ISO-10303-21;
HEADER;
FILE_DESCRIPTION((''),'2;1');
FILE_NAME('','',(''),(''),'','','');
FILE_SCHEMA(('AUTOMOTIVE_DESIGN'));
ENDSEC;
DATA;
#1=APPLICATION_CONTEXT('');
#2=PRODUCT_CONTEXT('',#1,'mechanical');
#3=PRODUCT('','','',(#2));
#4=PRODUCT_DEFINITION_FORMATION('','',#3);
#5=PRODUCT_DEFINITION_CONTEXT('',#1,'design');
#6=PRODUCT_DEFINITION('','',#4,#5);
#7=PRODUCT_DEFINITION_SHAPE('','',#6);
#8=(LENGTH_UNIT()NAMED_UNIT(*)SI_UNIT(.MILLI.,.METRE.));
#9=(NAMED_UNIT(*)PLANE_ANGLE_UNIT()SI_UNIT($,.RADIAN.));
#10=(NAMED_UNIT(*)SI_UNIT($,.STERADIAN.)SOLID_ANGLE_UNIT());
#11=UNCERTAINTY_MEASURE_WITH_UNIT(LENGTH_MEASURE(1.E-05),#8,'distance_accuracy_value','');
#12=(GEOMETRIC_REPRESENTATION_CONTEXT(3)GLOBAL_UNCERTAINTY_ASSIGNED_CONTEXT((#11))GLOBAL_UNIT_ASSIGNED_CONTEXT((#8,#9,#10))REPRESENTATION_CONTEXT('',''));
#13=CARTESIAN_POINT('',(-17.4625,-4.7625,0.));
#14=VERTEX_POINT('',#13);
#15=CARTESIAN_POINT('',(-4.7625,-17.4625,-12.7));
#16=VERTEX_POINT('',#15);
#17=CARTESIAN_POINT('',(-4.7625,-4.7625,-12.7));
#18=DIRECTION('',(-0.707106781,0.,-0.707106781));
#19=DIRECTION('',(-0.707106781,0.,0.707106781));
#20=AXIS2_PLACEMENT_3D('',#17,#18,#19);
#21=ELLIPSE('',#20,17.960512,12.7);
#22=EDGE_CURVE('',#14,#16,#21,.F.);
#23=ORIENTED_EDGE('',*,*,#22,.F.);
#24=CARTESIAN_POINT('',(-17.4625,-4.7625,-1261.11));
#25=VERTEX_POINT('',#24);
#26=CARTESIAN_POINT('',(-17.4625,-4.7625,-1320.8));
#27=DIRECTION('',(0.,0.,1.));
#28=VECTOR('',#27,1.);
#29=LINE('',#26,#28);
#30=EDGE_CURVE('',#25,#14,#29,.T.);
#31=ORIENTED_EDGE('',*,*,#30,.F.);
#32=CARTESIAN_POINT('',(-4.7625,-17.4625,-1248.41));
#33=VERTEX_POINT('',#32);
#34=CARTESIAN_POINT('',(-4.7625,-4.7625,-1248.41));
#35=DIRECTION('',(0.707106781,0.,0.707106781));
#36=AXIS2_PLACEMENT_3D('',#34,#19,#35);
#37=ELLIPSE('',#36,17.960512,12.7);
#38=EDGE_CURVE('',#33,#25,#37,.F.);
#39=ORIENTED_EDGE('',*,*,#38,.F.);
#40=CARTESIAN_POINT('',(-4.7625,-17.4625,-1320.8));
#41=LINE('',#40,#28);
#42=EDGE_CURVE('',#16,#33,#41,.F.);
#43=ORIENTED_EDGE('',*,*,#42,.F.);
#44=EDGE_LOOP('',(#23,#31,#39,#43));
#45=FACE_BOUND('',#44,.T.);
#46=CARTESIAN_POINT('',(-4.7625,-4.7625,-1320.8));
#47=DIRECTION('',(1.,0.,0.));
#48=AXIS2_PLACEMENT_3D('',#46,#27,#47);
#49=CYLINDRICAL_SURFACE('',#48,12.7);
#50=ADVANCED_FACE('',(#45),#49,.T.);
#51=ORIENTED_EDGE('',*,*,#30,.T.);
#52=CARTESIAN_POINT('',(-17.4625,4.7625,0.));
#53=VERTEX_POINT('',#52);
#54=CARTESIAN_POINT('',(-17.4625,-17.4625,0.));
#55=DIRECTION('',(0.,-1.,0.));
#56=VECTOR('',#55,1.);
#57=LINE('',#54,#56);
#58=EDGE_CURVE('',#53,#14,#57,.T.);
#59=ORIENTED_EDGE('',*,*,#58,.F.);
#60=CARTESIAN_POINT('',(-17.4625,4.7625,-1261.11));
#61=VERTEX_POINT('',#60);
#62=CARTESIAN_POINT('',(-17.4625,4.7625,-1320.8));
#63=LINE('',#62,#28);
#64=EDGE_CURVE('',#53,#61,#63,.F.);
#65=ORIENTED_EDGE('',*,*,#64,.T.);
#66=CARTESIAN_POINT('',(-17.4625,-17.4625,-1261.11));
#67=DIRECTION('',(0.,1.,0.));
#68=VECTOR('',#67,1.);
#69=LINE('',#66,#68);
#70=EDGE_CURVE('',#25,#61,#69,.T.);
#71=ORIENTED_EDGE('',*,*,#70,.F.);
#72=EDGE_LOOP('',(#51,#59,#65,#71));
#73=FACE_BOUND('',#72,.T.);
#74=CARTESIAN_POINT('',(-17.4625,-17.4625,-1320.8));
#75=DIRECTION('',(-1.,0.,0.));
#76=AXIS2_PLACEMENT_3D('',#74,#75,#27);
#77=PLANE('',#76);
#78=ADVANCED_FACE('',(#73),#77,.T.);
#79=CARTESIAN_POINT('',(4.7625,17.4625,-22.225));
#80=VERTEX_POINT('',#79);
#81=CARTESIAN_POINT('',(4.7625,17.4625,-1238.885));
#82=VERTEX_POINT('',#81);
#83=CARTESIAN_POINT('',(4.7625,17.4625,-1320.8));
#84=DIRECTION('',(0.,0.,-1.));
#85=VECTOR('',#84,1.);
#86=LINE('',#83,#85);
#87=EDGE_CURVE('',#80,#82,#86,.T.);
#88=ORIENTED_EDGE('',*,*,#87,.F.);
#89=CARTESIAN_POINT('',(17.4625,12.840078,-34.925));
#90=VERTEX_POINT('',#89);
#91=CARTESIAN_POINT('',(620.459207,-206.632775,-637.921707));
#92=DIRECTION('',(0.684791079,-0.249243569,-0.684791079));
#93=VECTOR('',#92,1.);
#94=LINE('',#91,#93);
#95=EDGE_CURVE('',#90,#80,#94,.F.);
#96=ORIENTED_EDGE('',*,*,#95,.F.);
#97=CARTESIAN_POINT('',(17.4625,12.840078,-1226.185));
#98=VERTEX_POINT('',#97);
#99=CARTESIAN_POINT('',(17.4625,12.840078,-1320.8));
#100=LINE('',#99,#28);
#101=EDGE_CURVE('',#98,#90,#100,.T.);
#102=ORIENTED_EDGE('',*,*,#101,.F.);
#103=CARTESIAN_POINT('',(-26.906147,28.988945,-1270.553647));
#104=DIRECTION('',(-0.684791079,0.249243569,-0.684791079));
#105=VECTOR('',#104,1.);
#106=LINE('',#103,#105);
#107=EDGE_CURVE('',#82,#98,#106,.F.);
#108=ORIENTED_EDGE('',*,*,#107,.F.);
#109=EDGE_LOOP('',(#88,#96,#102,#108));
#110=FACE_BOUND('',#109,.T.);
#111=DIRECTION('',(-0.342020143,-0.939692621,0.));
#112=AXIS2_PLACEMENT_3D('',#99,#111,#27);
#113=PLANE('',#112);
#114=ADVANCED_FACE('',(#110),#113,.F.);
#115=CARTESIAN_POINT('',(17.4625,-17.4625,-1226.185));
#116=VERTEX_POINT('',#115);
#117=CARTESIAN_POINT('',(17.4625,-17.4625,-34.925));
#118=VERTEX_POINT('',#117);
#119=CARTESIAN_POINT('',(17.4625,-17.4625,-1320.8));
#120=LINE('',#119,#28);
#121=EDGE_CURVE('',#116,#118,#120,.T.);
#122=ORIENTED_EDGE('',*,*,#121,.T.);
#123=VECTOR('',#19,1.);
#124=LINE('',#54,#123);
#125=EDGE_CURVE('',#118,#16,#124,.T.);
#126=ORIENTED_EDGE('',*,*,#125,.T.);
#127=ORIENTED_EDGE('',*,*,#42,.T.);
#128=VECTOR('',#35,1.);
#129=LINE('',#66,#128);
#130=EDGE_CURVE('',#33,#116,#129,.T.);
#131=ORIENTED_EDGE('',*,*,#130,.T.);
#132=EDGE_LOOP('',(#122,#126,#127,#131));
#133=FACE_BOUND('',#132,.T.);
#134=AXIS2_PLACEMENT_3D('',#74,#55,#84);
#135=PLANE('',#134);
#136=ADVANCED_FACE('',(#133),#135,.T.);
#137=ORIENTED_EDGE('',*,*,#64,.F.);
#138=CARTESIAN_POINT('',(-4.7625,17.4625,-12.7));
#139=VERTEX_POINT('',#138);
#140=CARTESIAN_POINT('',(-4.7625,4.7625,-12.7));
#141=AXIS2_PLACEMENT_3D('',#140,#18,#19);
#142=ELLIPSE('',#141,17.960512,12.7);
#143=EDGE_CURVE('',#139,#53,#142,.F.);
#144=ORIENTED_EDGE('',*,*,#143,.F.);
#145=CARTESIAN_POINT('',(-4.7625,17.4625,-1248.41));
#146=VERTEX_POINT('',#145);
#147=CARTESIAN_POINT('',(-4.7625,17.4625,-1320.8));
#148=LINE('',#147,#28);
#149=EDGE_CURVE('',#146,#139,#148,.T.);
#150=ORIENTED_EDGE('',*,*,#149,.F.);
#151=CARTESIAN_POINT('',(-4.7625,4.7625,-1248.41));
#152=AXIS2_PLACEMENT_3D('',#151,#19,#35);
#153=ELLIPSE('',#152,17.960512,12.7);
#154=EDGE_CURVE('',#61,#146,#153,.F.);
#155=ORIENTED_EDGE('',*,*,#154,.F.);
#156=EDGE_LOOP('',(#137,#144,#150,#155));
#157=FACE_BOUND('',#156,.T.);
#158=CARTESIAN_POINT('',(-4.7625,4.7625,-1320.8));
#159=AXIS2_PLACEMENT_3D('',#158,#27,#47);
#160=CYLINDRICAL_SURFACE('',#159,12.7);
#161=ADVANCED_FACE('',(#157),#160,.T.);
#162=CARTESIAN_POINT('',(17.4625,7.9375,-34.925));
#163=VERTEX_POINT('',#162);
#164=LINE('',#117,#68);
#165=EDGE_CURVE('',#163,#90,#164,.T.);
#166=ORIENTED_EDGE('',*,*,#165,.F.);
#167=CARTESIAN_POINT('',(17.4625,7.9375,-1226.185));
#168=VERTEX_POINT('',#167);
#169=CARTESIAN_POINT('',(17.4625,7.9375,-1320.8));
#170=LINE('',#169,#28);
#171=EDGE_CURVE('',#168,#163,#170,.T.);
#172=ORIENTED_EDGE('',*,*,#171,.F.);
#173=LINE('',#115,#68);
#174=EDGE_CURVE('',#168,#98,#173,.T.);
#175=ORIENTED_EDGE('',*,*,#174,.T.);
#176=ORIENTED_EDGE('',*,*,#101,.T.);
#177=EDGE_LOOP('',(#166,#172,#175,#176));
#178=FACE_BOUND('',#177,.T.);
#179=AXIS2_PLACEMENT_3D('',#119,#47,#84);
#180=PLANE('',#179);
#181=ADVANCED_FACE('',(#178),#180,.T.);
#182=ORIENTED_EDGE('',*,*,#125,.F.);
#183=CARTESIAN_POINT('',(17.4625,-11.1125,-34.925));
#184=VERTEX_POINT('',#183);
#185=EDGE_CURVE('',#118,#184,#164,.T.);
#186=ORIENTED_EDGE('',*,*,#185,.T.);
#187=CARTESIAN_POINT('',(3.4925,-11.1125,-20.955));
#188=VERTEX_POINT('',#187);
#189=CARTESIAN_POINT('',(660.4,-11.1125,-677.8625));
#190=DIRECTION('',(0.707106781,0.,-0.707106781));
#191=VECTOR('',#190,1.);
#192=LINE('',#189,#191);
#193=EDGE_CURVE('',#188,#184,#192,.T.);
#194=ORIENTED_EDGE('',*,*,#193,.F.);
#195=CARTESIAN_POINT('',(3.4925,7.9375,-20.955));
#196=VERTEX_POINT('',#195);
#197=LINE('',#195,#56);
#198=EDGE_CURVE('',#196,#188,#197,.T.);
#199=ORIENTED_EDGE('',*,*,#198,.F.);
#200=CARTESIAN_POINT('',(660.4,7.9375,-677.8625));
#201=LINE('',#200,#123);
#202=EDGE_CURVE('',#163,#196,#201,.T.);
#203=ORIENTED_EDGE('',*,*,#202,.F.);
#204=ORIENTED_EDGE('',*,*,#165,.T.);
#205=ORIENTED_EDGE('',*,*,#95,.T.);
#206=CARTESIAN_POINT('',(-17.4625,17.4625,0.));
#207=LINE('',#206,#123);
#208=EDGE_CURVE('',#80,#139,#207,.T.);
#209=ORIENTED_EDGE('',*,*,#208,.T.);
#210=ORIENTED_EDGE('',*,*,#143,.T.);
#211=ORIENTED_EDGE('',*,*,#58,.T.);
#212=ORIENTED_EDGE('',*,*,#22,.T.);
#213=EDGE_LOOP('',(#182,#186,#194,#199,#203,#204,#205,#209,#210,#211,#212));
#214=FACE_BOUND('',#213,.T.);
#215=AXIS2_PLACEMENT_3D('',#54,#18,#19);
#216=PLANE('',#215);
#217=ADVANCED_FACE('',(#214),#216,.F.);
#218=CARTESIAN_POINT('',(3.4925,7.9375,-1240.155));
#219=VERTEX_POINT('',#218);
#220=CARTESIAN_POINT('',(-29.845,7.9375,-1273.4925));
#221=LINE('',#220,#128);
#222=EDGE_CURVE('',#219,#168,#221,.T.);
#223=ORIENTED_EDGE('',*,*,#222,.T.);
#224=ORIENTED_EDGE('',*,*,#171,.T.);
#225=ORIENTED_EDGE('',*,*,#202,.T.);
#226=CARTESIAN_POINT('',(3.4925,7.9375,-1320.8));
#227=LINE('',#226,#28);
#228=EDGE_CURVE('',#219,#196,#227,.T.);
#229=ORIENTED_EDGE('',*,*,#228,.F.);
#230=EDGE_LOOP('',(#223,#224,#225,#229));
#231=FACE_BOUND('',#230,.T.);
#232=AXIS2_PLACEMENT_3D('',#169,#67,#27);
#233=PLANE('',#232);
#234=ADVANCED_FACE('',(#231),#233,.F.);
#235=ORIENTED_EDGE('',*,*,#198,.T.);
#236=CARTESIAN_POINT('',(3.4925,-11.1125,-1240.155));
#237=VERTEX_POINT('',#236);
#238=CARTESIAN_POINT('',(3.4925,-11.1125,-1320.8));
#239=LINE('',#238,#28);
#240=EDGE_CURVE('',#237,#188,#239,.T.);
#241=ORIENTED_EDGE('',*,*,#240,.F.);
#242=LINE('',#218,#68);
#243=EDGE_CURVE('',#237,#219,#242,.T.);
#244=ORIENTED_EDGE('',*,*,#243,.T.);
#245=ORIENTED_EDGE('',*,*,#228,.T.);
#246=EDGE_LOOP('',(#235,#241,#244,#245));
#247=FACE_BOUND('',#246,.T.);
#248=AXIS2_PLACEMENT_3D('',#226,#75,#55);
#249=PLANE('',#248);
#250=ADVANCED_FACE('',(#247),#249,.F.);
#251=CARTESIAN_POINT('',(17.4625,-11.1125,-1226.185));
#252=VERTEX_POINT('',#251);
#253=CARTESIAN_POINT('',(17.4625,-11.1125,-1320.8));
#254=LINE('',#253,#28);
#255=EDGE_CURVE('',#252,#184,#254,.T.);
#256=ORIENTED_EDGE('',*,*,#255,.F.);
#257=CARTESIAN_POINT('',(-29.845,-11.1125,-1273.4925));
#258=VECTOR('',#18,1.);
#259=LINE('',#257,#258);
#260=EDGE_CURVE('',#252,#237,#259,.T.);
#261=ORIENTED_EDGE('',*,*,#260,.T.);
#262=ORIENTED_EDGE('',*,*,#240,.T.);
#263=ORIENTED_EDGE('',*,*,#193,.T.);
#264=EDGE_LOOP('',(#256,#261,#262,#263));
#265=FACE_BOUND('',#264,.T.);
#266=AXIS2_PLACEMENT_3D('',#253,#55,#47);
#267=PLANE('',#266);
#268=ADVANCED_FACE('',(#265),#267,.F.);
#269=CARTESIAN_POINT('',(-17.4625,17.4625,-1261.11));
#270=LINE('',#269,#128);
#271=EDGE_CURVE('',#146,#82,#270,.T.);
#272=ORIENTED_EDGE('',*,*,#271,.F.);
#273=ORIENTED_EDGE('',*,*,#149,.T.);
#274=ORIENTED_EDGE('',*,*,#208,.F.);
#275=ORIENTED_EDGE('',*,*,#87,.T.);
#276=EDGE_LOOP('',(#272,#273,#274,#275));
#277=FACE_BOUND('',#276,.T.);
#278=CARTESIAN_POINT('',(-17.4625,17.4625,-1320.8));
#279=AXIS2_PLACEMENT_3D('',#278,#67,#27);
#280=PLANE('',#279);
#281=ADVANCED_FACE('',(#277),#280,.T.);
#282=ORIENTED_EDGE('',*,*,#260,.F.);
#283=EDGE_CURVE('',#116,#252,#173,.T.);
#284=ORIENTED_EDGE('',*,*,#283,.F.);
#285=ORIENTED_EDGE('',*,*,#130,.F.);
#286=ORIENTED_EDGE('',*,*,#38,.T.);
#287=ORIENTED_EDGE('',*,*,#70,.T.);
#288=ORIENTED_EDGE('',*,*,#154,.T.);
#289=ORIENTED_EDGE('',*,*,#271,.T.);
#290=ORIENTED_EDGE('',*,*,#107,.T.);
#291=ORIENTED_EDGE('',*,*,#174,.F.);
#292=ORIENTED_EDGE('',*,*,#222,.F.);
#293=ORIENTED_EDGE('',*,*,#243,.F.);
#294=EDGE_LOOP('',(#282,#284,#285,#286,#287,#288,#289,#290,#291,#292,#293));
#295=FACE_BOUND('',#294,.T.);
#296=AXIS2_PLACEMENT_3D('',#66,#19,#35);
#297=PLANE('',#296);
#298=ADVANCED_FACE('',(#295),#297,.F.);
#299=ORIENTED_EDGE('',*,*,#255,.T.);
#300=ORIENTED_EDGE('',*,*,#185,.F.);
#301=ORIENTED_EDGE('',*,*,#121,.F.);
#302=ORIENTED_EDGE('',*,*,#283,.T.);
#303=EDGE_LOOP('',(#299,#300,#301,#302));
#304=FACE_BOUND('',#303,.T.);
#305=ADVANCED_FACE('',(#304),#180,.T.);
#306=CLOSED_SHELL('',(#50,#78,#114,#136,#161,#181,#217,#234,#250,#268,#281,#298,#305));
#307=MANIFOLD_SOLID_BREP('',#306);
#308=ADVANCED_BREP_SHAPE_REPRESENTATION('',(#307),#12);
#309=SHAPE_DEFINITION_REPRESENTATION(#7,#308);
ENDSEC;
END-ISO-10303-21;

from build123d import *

# Parameters (mm, degrees)
SKETCH1_W           = 34.925
SKETCH1_H           = 34.925
BOSS_EXTRUDE1_DEPTH = 1320.8
SKETCH2_W           = 13.97
SKETCH2_H           = 19.05
CUT_EXTRUDE1_DEPTH  = 1322.030854224
FILLET1_R           = 12.7
CHAMFER1_SIZE       = 12.7
CHAMFER1_SIZE2      = 4.622421975
CUT_EXTRUDE2_DEPTH  = 1322.377059938


with BuildPart() as part:
    # Sketch1 → Boss-Extrude1 (new body)
    with BuildSketch(Plane.XY):
        Rectangle(SKETCH1_W, SKETCH1_H)
    extrude(amount=-BOSS_EXTRUDE1_DEPTH)

    # Sketch2 → Cut-Extrude1 (cut, through all)
    with BuildSketch(Plane.XY):
        with Locations((10.4775, -1.5875)):
            Rectangle(SKETCH2_W, SKETCH2_H)
    extrude(amount=-CUT_EXTRUDE1_DEPTH, mode=Mode.SUBTRACT)

    # Fillet1
    fillet1_edges = [part.edges().sort_by_distance(p)[0] for p in [
        (-17.4625, -17.4625, -660.4),
        (-17.4625, 17.4625, -660.4),
    ]]
    fillet(fillet1_edges, radius=FILLET1_R)

    # Chamfer1
    chamfer1_edges = [part.edges().sort_by_distance(p)[0] for p in [
        (17.4625, 17.4625, -660.4),
    ]]
    chamfer1_side = [part.faces().sort_by_distance(p)[0] for p in [
        (6.35, 17.4625, -660.4),
    ]]
    chamfer(chamfer1_edges, length=CHAMFER1_SIZE, length2=CHAMFER1_SIZE2, reference=chamfer1_side[0])

    # Sketch3 → Cut-Extrude2 (cut, through all)
    with BuildSketch(Plane(origin=(0, 17.4625, 0), x_dir=(1, 0, 0), z_dir=(0, 1, 0))):
        Polygon((-17.4625, 0), (17.4625, 34.925), (17.4625, 0), align=None)
        Polygon((-17.4625, 1261.11), (17.4625, 1226.185), (17.4625, 1320.8), (-17.4625, 1320.8), align=None)
    extrude(amount=-CUT_EXTRUDE2_DEPTH, mode=Mode.SUBTRACT)


solid = part.part
